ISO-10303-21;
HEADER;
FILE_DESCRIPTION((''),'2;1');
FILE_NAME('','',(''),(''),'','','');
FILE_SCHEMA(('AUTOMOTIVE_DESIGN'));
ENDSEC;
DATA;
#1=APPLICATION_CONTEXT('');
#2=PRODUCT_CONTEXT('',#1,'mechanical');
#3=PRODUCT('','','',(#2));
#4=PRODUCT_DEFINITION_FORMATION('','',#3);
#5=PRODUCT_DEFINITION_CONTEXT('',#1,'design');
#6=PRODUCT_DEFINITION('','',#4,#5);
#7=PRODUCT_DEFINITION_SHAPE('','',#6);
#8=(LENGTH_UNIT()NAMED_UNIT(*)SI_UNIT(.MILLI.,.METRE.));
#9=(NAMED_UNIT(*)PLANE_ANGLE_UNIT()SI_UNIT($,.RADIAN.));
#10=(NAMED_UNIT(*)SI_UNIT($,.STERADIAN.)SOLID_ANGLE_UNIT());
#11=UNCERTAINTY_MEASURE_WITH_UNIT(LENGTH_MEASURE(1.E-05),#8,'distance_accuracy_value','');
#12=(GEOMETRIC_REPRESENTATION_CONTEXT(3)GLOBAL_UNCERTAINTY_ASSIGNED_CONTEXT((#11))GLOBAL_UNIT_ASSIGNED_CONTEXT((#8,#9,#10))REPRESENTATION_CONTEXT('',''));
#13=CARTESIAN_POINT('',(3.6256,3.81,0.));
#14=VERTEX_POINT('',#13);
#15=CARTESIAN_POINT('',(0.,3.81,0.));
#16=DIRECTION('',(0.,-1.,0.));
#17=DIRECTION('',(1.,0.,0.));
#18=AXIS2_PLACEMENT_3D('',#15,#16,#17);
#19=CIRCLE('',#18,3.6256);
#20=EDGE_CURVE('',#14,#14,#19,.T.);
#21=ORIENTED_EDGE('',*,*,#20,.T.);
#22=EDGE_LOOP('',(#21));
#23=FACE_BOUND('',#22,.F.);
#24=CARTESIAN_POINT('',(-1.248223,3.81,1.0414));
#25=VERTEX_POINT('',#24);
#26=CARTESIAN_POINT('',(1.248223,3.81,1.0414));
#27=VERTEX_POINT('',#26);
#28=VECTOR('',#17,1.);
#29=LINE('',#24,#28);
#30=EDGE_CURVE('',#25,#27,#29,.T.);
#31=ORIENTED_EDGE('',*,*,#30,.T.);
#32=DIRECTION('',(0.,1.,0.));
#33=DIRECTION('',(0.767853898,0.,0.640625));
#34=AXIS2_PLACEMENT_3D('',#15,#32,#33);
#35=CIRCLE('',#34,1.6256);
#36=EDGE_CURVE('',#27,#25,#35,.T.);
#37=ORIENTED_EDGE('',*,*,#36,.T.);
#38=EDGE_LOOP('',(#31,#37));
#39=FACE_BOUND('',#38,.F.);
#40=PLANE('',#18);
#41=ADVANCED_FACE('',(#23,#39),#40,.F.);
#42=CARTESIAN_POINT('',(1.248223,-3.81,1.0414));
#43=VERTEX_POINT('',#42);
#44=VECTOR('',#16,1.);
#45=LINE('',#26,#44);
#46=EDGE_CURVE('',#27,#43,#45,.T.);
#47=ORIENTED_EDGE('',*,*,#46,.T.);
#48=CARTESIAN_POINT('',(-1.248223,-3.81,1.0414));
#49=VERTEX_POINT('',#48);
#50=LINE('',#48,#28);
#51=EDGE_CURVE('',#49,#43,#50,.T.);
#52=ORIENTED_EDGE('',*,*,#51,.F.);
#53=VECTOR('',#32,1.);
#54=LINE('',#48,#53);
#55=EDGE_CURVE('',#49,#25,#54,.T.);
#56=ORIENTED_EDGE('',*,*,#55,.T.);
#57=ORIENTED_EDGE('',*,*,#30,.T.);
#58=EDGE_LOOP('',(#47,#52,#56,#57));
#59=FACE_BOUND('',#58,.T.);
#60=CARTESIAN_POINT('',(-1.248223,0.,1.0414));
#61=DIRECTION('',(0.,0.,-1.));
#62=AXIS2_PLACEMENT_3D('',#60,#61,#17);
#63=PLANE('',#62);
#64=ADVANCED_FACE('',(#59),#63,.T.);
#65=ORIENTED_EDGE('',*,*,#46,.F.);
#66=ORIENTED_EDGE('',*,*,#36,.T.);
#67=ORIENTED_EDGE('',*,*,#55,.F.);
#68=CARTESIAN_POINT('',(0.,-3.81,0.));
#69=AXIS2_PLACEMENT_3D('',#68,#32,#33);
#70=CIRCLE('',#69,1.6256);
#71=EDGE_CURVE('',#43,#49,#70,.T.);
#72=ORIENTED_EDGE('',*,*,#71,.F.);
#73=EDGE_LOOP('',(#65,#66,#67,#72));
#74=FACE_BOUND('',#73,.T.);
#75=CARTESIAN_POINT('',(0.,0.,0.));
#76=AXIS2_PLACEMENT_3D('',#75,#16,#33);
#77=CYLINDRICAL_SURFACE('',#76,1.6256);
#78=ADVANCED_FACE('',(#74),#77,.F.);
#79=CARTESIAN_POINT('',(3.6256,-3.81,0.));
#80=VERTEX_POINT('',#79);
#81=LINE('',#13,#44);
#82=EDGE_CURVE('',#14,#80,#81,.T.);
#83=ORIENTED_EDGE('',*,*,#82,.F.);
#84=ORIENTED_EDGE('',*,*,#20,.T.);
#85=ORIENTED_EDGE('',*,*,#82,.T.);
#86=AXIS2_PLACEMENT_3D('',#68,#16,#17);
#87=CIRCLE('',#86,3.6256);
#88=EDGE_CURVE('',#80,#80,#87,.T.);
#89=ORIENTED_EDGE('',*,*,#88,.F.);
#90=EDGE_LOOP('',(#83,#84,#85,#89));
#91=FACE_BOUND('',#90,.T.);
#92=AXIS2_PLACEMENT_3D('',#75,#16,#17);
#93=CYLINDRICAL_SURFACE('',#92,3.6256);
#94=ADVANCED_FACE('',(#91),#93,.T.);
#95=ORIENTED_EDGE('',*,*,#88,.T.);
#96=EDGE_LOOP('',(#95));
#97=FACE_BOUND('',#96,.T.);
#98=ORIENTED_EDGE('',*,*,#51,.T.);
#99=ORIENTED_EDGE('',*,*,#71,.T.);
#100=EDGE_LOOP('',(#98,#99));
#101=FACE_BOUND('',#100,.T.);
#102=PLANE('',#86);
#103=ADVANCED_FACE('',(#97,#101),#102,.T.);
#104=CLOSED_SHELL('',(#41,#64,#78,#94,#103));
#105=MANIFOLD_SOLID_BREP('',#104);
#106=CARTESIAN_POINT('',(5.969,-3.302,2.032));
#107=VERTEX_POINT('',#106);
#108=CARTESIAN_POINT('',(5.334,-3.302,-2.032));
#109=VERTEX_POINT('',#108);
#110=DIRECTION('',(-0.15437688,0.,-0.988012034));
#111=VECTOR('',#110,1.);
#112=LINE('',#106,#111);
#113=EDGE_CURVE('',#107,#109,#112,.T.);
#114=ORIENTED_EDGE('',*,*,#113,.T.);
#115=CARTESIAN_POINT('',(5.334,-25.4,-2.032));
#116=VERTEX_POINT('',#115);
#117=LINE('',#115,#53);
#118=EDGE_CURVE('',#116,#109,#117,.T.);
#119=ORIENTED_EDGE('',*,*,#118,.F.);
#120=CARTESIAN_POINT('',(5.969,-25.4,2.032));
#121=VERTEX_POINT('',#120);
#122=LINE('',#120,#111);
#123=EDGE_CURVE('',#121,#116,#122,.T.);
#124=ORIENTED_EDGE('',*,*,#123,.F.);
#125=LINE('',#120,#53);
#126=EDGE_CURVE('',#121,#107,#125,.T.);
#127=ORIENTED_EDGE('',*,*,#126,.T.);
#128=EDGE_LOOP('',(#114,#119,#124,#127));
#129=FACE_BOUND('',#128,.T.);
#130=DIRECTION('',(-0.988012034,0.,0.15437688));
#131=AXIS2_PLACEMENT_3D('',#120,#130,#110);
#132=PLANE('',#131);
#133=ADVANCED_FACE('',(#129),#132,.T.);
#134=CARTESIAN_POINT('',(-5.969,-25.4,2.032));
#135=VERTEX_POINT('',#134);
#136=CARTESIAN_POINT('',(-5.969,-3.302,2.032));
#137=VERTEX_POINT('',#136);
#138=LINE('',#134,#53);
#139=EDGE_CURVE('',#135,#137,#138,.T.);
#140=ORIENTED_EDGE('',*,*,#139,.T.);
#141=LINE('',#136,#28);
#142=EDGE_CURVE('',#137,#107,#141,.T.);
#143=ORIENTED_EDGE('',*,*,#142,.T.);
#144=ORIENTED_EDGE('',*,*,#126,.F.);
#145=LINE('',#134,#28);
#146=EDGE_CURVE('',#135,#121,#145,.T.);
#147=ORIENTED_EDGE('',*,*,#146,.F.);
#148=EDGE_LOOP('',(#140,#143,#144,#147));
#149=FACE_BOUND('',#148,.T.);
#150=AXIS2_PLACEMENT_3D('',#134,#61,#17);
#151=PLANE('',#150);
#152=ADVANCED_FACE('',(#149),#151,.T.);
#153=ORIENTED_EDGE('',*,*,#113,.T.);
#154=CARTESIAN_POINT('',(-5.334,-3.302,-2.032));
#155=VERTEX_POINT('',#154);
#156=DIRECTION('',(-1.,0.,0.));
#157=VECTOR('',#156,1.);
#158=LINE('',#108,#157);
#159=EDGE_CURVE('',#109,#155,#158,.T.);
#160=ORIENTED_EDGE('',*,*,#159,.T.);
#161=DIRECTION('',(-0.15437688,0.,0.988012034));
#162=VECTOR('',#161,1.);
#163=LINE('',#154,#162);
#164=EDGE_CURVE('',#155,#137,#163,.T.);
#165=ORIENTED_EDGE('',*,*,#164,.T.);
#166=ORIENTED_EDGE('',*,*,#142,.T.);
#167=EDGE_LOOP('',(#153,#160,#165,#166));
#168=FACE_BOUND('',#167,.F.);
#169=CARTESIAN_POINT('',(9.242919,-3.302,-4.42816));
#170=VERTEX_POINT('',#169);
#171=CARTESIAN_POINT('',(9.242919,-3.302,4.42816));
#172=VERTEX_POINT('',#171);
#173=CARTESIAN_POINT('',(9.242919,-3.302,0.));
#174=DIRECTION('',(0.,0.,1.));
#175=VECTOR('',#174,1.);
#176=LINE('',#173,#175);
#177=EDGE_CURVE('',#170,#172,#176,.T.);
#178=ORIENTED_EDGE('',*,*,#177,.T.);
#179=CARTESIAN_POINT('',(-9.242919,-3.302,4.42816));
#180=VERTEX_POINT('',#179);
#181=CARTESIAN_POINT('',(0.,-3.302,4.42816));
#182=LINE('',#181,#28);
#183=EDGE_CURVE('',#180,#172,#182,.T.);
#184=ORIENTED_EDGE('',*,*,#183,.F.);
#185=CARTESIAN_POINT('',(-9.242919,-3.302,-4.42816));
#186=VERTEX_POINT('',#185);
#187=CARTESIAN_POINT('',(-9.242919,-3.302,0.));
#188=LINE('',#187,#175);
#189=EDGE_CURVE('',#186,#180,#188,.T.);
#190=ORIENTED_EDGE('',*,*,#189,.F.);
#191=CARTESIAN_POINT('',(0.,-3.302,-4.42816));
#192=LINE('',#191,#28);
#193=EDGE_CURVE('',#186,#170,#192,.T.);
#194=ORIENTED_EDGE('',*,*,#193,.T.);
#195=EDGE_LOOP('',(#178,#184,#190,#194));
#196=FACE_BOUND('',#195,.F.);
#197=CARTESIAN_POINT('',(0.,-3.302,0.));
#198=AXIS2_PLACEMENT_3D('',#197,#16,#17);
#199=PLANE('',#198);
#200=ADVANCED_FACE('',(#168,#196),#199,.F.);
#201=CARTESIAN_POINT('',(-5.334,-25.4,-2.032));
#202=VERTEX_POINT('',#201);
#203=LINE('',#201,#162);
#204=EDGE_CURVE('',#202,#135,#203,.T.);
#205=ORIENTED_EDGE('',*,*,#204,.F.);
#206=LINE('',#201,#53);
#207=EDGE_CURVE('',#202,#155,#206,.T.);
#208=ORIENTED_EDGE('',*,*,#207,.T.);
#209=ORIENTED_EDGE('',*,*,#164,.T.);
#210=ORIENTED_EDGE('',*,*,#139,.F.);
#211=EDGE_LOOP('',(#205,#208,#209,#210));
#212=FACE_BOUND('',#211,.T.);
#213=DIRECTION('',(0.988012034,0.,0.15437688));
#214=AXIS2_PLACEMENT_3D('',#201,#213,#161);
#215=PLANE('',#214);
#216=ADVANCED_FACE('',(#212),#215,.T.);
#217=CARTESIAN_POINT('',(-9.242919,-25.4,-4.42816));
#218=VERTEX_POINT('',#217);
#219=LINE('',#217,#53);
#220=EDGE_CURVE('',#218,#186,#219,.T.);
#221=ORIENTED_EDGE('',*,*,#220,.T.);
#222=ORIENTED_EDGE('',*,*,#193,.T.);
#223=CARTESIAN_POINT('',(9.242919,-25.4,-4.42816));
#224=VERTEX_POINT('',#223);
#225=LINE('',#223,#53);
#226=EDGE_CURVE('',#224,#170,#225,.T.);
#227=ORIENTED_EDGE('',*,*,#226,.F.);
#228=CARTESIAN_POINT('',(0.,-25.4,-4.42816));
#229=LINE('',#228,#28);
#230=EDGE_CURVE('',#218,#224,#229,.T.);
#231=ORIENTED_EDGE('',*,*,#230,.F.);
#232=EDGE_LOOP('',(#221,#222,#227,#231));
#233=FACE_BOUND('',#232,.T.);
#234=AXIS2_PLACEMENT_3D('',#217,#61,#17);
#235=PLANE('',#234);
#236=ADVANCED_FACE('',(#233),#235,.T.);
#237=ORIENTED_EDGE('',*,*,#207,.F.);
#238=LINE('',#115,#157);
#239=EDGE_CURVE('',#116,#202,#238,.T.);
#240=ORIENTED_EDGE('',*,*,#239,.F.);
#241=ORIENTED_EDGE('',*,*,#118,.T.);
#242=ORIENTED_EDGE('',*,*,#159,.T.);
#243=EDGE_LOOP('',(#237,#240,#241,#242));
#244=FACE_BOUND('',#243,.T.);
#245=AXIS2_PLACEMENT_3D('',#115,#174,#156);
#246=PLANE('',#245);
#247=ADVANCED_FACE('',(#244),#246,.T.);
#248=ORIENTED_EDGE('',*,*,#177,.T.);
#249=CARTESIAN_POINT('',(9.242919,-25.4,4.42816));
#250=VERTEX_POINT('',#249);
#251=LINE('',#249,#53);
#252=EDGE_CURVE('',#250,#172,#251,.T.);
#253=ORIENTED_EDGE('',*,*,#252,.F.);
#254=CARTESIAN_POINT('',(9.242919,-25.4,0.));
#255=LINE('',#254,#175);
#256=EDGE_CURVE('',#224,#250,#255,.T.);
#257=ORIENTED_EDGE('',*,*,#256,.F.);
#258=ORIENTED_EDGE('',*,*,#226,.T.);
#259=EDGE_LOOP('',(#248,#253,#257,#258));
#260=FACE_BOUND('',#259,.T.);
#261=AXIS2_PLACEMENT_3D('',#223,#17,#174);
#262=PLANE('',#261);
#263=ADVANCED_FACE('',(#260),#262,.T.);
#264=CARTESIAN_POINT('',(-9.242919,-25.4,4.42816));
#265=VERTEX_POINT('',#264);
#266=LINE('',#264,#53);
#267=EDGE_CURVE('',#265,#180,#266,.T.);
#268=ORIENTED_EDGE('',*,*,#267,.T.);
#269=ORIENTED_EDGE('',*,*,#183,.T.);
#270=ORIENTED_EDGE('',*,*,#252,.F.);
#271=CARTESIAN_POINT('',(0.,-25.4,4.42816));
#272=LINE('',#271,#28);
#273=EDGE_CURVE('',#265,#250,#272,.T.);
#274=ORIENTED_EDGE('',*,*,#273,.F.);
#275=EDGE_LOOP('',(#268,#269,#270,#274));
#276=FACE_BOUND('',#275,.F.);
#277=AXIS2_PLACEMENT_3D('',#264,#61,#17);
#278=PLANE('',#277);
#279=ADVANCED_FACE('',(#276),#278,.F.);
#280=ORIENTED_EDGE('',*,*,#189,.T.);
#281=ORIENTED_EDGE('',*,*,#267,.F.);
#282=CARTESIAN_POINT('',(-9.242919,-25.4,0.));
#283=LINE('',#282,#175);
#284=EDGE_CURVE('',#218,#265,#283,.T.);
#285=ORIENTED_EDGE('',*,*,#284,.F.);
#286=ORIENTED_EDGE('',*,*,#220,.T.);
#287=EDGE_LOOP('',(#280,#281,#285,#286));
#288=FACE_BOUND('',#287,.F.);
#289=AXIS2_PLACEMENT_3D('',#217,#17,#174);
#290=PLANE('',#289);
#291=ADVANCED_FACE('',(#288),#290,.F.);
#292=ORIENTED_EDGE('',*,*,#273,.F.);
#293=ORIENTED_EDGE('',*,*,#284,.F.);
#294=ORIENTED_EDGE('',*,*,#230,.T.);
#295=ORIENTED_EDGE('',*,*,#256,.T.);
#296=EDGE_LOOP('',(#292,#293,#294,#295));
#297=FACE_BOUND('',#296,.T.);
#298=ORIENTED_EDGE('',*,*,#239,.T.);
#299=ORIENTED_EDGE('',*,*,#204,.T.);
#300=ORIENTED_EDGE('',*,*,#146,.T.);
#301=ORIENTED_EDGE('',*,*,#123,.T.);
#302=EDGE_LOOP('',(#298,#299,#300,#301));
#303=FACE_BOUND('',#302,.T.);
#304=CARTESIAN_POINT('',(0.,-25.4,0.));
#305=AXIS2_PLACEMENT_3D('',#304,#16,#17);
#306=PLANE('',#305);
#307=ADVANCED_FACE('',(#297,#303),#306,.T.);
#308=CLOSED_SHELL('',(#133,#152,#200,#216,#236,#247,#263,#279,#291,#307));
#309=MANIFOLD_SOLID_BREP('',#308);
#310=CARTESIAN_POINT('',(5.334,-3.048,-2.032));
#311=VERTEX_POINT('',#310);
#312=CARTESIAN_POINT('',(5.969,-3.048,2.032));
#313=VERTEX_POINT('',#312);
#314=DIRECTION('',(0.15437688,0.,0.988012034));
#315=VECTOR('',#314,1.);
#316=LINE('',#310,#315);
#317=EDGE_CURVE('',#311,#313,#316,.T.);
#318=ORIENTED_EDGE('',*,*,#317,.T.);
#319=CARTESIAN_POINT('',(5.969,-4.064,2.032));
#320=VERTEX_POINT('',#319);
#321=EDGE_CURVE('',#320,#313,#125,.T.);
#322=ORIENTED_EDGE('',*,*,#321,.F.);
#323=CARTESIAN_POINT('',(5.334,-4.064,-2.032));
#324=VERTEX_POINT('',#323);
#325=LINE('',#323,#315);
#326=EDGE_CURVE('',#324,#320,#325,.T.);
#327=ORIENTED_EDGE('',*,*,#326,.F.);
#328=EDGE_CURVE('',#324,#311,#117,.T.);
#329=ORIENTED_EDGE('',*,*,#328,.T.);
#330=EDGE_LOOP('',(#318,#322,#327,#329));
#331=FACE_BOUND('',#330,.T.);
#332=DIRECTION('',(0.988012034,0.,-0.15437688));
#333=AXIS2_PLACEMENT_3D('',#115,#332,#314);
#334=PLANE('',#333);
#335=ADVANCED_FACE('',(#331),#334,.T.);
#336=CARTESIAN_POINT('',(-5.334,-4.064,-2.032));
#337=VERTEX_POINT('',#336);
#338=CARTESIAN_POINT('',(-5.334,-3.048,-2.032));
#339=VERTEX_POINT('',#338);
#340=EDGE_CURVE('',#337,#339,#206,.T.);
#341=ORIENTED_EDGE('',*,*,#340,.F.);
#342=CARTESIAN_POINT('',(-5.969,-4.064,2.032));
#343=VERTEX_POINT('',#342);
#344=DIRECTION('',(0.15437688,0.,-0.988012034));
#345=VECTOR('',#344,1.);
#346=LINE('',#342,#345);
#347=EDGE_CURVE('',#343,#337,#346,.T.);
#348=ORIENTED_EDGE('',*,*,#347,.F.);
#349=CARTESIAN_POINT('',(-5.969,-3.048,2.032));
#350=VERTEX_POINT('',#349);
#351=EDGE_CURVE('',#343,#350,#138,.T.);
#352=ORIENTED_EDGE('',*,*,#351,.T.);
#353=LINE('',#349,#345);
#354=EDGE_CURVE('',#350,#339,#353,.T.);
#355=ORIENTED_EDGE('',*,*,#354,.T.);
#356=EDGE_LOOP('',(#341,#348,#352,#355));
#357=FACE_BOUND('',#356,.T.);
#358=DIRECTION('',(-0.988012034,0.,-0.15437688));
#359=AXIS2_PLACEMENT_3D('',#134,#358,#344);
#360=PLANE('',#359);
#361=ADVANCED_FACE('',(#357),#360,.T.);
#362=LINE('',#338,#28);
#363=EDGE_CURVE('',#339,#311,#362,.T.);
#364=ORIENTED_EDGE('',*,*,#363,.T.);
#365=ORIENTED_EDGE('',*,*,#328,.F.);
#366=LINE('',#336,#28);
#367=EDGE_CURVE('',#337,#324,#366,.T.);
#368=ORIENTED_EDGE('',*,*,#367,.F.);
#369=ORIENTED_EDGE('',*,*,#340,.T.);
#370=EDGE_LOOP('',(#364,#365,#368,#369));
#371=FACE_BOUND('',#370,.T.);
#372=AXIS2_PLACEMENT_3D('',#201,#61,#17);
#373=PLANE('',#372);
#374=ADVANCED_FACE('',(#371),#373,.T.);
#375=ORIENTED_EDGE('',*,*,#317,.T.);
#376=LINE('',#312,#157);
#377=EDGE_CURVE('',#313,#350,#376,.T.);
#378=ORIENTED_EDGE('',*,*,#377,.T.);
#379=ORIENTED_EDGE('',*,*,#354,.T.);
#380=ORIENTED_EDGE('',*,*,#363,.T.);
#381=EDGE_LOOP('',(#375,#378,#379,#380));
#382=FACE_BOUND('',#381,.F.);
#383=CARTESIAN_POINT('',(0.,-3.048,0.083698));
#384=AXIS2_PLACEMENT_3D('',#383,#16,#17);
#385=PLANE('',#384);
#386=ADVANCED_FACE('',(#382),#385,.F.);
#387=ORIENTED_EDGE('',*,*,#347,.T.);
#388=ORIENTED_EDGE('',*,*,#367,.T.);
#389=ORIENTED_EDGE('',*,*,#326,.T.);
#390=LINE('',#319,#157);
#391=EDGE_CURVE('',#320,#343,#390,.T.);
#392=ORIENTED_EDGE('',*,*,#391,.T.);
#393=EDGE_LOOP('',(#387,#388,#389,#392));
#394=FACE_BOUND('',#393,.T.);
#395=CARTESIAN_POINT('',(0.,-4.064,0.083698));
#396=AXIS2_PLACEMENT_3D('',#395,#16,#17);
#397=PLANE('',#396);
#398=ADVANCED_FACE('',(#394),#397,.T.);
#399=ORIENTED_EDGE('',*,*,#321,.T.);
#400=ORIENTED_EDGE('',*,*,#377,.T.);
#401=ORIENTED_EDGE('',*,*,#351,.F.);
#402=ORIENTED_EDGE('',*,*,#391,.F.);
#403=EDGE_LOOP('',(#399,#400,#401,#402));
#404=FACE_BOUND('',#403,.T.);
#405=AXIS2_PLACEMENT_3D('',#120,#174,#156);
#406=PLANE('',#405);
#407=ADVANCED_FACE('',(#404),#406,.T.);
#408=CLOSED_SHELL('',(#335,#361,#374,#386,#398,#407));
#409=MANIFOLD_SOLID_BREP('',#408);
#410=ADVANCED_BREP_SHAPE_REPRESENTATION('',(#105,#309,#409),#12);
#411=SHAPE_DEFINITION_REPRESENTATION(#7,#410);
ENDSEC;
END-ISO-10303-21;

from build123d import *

# Parameters (mm, degrees)
F0_R     = 3.6256
F3_DEPTH = 3.81
F2_W     = 18.4858385473
F2_H     = 8.8563207537
F4_DEPTH = 22.098
F5_DEPTH = 22.352
F6_DEPTH = 21.336


with BuildPart() as f3:
    # F0 (on Front) → F3 (new body, symmetric)
    with BuildSketch(Plane.XZ):
        Circle(F0_R)
        with BuildLine():
            ThreePointArc((1.2482232973, 1.0414), (0, -1.6256), (-1.2482232973, 1.0414))
            Line((-1.2482232973, 1.0414), (0.1749682033, 1.0414))
            Line((0.1749682033, 1.0414), (1.2482232973, 1.0414))
        make_face(mode=Mode.SUBTRACT)
    extrude(amount=F3_DEPTH, both=True)


with BuildPart() as f4:
    # F2 (on offset) → F4 (new body)
    with BuildSketch(Plane.XZ.offset(25.4)):
        Rectangle(F2_W, F2_H)
        Polygon((-5.969, 2.032), (0, 2.032), (5.969, 2.032), (5.334, -2.032), (0, -2.032), (-5.334, -2.032), align=None, mode=Mode.SUBTRACT)
    extrude(amount=-F4_DEPTH)


with BuildPart() as f5:
    # F2 (on offset) → F5 (new body)
    with BuildSketch(Plane.XZ.offset(25.4)):
        Polygon((5.969, 2.032), (0, 2.032), (-5.969, 2.032), (-5.334, -2.032), (0, -2.032), (5.334, -2.032), align=None)
    extrude(amount=-F5_DEPTH)

    # F6 (cut): a face of the model
    f6_faces = [f5.faces().sort_by_distance(p)[0] for p in [
        (0, -25.4, 0.0380524345),
    ]]
    extrude(f6_faces, amount=-F6_DEPTH, mode=Mode.SUBTRACT)


solid = Compound([f3.part, f4.part, f5.part])
